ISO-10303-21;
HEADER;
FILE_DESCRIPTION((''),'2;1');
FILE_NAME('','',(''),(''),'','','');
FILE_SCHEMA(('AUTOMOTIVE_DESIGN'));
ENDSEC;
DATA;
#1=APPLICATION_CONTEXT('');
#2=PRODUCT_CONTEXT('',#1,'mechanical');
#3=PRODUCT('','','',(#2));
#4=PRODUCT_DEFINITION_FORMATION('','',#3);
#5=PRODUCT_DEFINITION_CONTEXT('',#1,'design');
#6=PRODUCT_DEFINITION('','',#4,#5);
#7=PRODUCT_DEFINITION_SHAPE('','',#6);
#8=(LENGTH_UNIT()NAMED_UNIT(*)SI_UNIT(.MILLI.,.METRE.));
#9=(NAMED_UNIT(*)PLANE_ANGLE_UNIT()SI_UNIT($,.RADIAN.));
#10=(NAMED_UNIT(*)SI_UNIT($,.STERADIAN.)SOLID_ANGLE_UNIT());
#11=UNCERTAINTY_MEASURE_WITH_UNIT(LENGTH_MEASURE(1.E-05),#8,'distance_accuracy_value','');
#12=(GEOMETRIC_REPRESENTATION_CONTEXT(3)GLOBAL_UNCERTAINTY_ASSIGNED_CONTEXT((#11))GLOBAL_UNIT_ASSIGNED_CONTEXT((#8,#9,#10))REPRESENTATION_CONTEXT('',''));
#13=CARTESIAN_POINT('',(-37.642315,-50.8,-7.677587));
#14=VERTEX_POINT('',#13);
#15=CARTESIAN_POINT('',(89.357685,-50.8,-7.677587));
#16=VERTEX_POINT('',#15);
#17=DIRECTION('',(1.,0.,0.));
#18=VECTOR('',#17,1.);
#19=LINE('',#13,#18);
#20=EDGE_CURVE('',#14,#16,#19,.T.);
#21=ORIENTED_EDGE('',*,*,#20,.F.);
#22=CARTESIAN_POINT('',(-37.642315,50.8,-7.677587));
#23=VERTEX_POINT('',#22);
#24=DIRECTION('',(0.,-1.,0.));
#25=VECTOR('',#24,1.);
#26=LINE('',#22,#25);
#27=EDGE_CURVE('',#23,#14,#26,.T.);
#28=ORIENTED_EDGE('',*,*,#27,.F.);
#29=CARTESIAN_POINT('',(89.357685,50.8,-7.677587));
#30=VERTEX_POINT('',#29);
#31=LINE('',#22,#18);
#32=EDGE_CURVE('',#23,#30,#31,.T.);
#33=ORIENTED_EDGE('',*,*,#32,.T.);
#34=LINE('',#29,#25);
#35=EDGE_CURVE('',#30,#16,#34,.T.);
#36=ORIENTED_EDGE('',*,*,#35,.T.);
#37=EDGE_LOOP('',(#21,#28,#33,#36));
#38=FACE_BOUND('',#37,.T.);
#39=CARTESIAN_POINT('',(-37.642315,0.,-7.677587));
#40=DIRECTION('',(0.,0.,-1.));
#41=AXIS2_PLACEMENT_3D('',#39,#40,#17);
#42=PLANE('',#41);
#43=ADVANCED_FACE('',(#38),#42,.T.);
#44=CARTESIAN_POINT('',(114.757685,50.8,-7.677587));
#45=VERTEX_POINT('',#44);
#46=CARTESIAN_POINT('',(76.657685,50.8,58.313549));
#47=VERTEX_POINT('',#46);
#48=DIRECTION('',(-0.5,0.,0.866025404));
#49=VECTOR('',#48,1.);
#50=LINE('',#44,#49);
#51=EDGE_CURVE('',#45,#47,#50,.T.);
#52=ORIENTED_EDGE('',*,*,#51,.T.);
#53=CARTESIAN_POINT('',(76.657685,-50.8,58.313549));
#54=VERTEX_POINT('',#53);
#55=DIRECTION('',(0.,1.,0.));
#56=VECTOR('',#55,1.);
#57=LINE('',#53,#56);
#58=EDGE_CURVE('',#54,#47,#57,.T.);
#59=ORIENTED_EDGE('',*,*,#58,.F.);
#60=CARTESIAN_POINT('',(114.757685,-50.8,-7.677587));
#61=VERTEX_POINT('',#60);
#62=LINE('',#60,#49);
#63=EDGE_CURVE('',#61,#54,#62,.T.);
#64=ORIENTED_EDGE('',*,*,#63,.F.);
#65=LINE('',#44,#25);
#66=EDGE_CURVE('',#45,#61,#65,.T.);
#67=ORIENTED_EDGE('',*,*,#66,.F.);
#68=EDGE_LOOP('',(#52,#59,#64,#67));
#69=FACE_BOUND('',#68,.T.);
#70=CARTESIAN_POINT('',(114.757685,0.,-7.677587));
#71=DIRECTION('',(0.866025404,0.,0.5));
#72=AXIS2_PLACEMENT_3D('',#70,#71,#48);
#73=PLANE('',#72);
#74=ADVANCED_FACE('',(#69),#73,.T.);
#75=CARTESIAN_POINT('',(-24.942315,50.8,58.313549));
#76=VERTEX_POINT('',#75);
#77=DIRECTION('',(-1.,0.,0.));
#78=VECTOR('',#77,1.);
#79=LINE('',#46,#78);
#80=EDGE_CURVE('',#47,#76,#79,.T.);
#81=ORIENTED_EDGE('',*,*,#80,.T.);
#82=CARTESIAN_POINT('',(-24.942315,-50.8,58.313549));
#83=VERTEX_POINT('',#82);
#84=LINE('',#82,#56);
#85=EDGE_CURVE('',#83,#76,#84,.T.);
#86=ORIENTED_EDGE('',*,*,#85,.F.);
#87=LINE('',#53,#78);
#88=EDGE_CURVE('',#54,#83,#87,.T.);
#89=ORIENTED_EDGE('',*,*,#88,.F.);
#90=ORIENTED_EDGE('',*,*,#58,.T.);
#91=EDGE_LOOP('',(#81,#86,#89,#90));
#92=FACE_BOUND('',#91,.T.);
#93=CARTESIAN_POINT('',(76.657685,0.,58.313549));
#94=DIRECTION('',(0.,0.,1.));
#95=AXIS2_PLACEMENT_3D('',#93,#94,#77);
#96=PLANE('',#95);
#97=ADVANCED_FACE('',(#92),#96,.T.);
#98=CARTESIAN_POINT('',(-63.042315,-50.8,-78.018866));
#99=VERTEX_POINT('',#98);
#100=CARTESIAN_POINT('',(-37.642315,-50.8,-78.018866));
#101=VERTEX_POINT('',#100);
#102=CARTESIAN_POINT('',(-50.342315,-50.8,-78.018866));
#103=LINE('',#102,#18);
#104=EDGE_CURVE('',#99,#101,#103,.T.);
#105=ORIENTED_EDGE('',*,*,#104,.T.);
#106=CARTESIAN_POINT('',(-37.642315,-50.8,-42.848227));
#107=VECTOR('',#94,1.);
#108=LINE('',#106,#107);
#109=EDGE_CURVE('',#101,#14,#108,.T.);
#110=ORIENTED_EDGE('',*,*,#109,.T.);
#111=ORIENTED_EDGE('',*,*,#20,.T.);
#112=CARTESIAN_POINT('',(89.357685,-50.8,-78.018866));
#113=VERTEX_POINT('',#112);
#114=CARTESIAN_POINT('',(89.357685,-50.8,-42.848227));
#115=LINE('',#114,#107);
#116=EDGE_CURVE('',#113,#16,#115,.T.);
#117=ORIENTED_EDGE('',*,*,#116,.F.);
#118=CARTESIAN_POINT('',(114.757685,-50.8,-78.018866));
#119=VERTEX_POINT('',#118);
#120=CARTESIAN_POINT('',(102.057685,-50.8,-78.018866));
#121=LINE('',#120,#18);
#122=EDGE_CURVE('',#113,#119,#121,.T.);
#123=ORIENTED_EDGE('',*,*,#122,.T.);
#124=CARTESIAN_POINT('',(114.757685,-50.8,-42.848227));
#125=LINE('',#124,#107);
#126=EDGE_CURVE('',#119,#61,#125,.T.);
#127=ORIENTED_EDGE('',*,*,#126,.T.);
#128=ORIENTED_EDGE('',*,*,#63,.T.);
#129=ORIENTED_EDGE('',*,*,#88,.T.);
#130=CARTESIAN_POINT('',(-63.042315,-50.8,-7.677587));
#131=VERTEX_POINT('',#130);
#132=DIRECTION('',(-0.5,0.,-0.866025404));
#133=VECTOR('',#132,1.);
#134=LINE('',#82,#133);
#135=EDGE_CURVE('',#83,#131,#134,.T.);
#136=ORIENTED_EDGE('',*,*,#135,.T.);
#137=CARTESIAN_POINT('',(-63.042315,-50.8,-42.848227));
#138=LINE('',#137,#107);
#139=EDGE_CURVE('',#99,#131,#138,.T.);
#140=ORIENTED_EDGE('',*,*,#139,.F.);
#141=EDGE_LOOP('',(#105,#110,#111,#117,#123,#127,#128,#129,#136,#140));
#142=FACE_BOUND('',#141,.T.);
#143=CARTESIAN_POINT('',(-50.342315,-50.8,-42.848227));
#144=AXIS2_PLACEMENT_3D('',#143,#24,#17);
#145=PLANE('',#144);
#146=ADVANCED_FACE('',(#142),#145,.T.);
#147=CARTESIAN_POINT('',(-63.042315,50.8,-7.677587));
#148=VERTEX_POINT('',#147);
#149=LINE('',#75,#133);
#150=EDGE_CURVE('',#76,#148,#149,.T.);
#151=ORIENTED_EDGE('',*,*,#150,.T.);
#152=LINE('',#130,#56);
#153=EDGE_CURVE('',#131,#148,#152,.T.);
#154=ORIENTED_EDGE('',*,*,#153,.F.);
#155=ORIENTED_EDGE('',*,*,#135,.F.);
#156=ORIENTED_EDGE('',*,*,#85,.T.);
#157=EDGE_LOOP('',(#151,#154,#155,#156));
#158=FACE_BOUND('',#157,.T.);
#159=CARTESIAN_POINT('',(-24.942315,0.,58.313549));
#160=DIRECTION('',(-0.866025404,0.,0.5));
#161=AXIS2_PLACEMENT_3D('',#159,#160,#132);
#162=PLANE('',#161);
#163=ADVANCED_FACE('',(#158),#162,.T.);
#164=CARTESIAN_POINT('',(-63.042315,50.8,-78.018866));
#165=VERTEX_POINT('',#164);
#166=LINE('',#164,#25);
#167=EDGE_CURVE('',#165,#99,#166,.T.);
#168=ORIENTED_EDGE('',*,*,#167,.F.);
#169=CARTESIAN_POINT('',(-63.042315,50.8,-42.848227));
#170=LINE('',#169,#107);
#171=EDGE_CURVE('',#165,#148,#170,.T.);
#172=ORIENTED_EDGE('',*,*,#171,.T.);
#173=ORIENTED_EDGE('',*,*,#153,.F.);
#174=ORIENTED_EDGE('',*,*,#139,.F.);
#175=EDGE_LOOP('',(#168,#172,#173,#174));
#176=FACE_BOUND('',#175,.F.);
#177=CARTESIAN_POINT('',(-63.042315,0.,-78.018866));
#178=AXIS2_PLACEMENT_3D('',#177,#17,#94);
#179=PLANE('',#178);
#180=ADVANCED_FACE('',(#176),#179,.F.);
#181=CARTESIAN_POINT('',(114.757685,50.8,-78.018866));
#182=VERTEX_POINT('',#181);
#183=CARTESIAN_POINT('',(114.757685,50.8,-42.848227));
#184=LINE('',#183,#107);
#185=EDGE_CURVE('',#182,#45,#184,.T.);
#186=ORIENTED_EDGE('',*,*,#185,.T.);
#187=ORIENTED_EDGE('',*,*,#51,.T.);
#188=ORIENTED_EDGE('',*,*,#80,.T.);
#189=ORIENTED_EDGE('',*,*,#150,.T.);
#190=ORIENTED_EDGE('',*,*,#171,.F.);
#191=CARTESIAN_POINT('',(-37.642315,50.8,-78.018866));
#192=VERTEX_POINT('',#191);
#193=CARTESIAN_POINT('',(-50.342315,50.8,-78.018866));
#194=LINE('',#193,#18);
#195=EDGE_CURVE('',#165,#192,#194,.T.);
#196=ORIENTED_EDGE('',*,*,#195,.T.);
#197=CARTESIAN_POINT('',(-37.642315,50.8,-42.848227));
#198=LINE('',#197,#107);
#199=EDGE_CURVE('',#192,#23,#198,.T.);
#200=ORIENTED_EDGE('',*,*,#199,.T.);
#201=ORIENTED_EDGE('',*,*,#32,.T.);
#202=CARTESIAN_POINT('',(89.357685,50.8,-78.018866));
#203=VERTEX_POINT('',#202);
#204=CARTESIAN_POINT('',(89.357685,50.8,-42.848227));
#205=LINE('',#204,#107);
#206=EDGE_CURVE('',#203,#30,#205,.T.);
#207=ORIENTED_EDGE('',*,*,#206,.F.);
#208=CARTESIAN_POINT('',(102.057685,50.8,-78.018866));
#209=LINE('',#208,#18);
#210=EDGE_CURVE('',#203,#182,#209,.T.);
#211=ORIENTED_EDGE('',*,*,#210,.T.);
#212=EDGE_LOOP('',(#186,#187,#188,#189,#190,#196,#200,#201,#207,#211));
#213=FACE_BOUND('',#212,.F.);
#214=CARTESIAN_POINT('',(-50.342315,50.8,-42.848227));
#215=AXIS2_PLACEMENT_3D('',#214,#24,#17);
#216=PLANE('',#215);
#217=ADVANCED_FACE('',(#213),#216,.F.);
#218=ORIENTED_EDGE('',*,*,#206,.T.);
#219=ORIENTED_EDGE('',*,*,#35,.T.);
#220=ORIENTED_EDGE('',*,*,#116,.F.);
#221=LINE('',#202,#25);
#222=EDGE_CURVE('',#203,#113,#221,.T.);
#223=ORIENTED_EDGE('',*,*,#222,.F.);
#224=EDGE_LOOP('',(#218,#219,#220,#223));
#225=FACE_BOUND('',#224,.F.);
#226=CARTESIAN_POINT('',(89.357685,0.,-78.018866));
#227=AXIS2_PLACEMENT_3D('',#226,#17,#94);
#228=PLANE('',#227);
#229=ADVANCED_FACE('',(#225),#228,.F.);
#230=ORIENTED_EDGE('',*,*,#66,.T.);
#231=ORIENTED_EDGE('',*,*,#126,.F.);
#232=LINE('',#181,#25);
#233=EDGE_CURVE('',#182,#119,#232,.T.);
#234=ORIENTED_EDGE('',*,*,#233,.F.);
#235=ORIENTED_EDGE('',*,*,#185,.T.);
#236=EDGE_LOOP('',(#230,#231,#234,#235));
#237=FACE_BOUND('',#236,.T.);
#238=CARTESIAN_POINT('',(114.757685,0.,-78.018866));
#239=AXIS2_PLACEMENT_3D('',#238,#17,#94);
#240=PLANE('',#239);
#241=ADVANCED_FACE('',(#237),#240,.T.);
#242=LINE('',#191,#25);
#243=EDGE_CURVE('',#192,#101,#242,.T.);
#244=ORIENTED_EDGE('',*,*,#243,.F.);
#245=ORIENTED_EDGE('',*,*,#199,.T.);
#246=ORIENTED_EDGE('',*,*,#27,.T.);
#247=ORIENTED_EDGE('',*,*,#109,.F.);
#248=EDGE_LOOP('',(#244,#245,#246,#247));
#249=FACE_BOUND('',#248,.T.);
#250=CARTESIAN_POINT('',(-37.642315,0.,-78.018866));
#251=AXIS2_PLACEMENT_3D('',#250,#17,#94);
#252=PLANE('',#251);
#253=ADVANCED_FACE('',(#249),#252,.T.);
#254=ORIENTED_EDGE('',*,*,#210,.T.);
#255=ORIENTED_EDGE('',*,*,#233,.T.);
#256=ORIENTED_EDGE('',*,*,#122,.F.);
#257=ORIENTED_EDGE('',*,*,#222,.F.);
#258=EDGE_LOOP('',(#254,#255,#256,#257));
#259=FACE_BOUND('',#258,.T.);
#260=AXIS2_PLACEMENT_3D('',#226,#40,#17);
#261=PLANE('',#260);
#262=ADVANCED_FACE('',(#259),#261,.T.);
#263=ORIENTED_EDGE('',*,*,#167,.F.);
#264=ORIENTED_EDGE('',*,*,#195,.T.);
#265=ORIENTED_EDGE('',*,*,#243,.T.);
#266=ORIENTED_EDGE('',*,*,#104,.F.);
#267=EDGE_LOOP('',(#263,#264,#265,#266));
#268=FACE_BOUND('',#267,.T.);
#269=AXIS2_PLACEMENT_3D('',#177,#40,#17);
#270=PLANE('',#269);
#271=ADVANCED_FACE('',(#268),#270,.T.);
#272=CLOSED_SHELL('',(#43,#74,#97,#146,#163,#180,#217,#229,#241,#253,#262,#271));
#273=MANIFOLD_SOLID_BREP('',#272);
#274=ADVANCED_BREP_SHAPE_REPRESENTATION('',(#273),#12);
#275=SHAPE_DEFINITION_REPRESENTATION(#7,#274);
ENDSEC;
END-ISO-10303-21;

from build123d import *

# Parameters (mm, degrees)
F0_W     = 25.4
F0_H     = 70.3412795041
F1_DEPTH = 50.8


with BuildPart() as f1:
    # F0 (on Front) → F1 (new body, symmetric)
    with BuildSketch(Plane.XZ):
        with Locations((-50.3423148662, -42.8482267274)):
            Rectangle(F0_W, F0_H)
        Polygon((76.6576851338, 58.313548793), (-24.9423148662, 58.313548793), (-63.0423148662, -7.6775869753), (-37.6423148662, -7.6775869753), (89.3576851338, -7.6775869753), (114.7576851338, -7.6775869753), align=None)
        with Locations((102.0576851338, -42.8482267274)):
            Rectangle(F0_W, F0_H)
    extrude(amount=F1_DEPTH, both=True)


solid = f1.part
